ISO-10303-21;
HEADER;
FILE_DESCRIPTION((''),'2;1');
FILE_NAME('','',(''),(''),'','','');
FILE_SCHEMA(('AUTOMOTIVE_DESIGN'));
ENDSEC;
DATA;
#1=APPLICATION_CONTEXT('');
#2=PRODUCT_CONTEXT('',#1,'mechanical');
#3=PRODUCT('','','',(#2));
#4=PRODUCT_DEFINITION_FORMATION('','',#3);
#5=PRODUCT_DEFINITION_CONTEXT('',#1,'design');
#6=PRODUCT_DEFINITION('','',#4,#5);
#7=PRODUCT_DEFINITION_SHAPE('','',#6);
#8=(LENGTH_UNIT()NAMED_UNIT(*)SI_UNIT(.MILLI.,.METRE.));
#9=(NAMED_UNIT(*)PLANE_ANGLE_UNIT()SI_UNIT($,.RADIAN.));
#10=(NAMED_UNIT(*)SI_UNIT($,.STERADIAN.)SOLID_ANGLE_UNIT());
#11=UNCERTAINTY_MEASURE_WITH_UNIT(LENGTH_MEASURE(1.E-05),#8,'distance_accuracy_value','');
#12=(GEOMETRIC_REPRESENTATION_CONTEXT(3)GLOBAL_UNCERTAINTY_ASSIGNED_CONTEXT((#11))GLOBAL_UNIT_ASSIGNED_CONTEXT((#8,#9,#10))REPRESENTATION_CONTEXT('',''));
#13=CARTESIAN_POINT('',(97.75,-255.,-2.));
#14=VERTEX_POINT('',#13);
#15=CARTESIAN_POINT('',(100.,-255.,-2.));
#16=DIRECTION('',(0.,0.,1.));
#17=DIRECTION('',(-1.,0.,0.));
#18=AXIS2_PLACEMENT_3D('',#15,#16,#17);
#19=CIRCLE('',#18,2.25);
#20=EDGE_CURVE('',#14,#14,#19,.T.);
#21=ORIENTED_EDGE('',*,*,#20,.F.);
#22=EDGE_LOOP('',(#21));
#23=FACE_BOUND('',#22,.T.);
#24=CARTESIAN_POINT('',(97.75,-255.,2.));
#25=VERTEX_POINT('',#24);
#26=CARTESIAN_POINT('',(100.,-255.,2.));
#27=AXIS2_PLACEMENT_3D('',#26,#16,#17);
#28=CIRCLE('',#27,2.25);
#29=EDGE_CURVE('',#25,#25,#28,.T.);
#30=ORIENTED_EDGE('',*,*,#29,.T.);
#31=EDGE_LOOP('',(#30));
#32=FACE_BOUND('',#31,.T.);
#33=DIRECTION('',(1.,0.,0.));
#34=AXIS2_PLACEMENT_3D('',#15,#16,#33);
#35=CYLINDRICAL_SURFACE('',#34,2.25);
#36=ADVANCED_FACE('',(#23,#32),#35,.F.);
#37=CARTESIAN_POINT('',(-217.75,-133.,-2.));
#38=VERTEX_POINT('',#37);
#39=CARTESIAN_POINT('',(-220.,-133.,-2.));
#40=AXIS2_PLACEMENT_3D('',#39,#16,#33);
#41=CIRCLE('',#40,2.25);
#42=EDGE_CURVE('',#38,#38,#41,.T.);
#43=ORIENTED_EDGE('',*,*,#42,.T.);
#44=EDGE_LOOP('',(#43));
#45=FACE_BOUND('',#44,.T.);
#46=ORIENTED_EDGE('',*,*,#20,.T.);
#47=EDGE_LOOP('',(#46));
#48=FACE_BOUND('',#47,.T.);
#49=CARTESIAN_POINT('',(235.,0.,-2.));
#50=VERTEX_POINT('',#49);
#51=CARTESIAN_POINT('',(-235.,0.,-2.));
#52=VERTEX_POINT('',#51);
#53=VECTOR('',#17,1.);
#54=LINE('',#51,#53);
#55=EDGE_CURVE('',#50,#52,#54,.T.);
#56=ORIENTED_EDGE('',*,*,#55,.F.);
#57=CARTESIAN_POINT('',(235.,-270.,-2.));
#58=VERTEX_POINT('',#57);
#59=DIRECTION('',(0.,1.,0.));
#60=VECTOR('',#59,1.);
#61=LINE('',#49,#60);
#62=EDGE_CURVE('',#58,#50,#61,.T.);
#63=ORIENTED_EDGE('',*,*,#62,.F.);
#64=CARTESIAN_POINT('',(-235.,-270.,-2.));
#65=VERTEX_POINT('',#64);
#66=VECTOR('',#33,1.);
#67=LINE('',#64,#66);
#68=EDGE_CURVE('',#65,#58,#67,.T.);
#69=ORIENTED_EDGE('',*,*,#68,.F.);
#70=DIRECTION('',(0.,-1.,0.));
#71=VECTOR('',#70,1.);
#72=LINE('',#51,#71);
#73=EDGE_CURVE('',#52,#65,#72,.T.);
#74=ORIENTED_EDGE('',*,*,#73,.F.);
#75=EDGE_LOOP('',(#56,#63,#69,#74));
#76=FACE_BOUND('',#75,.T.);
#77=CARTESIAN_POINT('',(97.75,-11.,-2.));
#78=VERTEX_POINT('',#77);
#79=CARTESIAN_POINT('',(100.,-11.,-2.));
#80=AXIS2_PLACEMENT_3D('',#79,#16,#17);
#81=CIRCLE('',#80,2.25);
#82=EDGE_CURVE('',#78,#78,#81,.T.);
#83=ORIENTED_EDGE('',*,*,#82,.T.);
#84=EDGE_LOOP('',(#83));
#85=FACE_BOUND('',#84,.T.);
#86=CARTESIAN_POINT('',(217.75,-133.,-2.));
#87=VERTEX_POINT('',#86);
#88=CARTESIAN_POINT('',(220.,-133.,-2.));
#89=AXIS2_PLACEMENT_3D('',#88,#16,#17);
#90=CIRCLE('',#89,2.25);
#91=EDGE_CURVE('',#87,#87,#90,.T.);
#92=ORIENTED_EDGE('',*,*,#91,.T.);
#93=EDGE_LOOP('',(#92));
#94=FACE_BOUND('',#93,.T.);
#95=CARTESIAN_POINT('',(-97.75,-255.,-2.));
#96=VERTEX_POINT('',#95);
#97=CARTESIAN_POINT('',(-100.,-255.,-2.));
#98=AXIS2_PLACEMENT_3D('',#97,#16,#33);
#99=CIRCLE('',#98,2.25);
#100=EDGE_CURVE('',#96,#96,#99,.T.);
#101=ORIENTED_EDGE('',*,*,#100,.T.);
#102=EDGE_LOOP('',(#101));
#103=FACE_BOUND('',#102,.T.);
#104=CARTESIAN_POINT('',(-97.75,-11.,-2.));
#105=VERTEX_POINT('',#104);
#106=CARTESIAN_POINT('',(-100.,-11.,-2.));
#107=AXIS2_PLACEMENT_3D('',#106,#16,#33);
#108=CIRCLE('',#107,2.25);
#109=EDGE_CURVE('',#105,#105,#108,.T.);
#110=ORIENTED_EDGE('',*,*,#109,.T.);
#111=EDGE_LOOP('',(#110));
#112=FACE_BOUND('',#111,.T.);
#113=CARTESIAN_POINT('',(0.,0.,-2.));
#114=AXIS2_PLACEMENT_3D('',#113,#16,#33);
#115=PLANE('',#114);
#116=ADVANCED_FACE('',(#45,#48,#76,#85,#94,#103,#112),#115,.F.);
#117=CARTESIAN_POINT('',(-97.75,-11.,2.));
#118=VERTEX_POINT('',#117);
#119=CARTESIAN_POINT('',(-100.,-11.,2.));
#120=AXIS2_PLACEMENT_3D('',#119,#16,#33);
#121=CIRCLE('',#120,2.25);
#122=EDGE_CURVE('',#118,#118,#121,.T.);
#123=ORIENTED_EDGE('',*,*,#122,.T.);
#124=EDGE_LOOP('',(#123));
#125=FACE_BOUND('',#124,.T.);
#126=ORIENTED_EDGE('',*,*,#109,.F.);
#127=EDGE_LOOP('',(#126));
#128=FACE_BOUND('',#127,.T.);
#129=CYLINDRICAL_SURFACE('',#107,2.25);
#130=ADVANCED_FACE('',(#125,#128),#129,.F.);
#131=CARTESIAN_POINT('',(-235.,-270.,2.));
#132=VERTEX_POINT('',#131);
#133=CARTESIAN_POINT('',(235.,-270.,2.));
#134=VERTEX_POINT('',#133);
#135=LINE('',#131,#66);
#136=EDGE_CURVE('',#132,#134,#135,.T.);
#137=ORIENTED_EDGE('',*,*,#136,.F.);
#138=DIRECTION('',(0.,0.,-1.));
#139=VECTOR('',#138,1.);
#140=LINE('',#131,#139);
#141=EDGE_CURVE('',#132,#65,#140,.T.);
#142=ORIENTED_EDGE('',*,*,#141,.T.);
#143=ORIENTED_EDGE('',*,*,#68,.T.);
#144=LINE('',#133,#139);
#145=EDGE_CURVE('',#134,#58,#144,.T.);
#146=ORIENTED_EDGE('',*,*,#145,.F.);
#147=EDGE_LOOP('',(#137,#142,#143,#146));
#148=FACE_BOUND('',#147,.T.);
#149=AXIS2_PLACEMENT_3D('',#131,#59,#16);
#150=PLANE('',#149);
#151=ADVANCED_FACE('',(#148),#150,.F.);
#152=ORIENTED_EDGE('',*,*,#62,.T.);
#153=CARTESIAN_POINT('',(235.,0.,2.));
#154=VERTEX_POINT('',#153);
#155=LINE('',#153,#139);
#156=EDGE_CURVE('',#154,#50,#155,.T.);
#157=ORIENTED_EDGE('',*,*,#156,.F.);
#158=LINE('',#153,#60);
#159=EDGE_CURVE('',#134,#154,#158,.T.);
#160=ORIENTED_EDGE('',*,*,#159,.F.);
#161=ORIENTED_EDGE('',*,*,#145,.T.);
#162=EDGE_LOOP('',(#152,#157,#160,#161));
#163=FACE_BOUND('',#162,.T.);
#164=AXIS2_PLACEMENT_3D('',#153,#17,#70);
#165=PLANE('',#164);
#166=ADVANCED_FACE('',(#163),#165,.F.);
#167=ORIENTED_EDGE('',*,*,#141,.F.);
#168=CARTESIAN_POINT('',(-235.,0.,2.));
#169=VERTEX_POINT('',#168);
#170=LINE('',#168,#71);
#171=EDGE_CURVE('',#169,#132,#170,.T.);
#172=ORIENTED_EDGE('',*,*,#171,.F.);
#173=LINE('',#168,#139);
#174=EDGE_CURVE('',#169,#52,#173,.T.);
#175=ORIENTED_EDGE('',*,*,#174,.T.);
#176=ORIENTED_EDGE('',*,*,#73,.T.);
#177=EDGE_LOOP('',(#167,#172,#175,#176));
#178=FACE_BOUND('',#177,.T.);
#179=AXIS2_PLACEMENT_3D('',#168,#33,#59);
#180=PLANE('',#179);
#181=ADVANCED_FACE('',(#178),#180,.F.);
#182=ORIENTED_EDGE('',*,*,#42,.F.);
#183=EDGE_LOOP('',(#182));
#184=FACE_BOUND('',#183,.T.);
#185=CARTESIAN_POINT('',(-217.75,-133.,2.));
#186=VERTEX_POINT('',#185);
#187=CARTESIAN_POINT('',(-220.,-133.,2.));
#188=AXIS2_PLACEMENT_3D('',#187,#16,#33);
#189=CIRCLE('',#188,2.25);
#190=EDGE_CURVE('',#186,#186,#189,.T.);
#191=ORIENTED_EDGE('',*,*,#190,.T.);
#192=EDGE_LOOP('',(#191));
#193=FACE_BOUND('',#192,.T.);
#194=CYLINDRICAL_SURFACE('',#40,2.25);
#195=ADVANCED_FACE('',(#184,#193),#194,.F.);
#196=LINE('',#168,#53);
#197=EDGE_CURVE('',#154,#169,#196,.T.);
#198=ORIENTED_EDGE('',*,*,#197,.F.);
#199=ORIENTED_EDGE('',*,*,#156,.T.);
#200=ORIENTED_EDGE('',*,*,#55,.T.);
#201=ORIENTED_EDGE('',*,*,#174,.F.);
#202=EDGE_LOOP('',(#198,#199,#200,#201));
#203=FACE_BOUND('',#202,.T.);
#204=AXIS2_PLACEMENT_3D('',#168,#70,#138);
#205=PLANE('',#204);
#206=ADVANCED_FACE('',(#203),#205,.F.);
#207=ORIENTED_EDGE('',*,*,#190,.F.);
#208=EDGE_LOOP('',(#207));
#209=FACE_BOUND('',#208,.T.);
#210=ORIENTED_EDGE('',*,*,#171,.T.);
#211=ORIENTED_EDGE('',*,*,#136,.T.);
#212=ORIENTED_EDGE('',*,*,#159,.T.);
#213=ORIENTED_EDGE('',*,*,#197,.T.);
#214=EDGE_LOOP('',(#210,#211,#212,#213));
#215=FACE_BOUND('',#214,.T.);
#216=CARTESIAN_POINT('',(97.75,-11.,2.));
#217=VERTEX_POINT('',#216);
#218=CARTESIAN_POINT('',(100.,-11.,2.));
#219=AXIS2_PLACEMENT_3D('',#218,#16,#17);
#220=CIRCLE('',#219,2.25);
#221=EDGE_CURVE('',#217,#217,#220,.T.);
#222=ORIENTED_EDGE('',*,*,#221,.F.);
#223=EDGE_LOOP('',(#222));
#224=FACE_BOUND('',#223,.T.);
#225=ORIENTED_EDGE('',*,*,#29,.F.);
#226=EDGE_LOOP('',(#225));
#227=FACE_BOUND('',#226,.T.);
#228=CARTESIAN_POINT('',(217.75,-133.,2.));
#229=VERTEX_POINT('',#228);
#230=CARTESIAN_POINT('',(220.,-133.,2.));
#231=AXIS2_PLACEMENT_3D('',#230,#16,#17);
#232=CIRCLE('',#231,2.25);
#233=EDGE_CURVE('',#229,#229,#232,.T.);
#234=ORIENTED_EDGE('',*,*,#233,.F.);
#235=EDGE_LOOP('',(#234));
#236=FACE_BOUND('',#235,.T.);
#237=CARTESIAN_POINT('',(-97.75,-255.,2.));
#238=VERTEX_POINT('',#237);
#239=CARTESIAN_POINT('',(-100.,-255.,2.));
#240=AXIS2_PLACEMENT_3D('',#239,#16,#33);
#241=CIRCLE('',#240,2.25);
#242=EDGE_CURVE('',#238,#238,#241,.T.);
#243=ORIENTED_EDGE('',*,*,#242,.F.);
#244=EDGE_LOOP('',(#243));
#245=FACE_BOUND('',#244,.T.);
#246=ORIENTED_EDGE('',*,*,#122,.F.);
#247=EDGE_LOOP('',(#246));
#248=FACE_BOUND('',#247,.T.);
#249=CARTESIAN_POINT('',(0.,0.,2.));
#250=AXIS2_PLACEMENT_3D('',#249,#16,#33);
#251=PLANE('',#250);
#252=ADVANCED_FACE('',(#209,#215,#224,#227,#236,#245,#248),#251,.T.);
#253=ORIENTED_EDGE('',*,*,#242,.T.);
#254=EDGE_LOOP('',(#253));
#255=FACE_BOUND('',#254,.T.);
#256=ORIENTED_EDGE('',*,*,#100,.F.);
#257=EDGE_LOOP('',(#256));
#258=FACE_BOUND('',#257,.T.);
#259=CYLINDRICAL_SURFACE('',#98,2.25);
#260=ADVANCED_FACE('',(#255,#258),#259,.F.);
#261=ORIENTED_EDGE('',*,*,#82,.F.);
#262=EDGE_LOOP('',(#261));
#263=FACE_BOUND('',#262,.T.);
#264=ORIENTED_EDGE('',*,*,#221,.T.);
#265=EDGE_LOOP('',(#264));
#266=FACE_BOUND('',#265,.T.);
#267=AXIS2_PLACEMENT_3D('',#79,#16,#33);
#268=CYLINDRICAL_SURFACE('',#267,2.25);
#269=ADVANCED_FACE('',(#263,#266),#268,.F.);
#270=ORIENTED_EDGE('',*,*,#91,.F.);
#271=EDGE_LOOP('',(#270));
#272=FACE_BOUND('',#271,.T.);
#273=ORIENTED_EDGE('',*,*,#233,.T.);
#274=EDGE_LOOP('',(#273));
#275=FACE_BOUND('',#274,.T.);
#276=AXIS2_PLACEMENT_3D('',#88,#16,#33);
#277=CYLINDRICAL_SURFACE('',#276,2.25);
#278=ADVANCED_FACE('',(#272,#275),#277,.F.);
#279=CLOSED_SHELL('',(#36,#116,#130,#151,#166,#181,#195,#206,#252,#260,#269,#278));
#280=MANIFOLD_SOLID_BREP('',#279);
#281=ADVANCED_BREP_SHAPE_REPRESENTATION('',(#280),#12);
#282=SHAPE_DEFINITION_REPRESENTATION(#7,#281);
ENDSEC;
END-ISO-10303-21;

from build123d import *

# Parameters (mm, degrees)
SKETCH1_W           = 470
SKETCH1_H           = 270
BOSS_EXTRUDE1_DEPTH = 2
SKETCH2_R           = 2.25
CUT_EXTRUDE1_DEPTH  = 358.967875654


with BuildPart() as part:
    # Sketch1 → Boss-Extrude1 (new, symmetric)
    with BuildSketch(Plane.XY):
        with Locations((0, -135)):
            Rectangle(SKETCH1_W, SKETCH1_H)
    extrude(amount=BOSS_EXTRUDE1_DEPTH, both=True)

    # Sketch2 → Cut-Extrude1 (cut, through all)
    with BuildSketch(Plane.XY.offset(2)):
        with Locations((-220, -133)):
            Circle(SKETCH2_R)
        with Locations((-100, -11)):
            Circle(SKETCH2_R)
        with Locations((-100, -255)):
            Circle(SKETCH2_R)
        with Locations(Location((220, -133, 0), (0, 0, 180))):
            Circle(SKETCH2_R)
        with Locations(Location((100, -255, 0), (0, 0, 180))):
            Circle(SKETCH2_R)
        with Locations(Location((100, -11, 0), (0, 0, 180))):
            Circle(SKETCH2_R)
    extrude(amount=-CUT_EXTRUDE1_DEPTH, mode=Mode.SUBTRACT)


solid = part.part
